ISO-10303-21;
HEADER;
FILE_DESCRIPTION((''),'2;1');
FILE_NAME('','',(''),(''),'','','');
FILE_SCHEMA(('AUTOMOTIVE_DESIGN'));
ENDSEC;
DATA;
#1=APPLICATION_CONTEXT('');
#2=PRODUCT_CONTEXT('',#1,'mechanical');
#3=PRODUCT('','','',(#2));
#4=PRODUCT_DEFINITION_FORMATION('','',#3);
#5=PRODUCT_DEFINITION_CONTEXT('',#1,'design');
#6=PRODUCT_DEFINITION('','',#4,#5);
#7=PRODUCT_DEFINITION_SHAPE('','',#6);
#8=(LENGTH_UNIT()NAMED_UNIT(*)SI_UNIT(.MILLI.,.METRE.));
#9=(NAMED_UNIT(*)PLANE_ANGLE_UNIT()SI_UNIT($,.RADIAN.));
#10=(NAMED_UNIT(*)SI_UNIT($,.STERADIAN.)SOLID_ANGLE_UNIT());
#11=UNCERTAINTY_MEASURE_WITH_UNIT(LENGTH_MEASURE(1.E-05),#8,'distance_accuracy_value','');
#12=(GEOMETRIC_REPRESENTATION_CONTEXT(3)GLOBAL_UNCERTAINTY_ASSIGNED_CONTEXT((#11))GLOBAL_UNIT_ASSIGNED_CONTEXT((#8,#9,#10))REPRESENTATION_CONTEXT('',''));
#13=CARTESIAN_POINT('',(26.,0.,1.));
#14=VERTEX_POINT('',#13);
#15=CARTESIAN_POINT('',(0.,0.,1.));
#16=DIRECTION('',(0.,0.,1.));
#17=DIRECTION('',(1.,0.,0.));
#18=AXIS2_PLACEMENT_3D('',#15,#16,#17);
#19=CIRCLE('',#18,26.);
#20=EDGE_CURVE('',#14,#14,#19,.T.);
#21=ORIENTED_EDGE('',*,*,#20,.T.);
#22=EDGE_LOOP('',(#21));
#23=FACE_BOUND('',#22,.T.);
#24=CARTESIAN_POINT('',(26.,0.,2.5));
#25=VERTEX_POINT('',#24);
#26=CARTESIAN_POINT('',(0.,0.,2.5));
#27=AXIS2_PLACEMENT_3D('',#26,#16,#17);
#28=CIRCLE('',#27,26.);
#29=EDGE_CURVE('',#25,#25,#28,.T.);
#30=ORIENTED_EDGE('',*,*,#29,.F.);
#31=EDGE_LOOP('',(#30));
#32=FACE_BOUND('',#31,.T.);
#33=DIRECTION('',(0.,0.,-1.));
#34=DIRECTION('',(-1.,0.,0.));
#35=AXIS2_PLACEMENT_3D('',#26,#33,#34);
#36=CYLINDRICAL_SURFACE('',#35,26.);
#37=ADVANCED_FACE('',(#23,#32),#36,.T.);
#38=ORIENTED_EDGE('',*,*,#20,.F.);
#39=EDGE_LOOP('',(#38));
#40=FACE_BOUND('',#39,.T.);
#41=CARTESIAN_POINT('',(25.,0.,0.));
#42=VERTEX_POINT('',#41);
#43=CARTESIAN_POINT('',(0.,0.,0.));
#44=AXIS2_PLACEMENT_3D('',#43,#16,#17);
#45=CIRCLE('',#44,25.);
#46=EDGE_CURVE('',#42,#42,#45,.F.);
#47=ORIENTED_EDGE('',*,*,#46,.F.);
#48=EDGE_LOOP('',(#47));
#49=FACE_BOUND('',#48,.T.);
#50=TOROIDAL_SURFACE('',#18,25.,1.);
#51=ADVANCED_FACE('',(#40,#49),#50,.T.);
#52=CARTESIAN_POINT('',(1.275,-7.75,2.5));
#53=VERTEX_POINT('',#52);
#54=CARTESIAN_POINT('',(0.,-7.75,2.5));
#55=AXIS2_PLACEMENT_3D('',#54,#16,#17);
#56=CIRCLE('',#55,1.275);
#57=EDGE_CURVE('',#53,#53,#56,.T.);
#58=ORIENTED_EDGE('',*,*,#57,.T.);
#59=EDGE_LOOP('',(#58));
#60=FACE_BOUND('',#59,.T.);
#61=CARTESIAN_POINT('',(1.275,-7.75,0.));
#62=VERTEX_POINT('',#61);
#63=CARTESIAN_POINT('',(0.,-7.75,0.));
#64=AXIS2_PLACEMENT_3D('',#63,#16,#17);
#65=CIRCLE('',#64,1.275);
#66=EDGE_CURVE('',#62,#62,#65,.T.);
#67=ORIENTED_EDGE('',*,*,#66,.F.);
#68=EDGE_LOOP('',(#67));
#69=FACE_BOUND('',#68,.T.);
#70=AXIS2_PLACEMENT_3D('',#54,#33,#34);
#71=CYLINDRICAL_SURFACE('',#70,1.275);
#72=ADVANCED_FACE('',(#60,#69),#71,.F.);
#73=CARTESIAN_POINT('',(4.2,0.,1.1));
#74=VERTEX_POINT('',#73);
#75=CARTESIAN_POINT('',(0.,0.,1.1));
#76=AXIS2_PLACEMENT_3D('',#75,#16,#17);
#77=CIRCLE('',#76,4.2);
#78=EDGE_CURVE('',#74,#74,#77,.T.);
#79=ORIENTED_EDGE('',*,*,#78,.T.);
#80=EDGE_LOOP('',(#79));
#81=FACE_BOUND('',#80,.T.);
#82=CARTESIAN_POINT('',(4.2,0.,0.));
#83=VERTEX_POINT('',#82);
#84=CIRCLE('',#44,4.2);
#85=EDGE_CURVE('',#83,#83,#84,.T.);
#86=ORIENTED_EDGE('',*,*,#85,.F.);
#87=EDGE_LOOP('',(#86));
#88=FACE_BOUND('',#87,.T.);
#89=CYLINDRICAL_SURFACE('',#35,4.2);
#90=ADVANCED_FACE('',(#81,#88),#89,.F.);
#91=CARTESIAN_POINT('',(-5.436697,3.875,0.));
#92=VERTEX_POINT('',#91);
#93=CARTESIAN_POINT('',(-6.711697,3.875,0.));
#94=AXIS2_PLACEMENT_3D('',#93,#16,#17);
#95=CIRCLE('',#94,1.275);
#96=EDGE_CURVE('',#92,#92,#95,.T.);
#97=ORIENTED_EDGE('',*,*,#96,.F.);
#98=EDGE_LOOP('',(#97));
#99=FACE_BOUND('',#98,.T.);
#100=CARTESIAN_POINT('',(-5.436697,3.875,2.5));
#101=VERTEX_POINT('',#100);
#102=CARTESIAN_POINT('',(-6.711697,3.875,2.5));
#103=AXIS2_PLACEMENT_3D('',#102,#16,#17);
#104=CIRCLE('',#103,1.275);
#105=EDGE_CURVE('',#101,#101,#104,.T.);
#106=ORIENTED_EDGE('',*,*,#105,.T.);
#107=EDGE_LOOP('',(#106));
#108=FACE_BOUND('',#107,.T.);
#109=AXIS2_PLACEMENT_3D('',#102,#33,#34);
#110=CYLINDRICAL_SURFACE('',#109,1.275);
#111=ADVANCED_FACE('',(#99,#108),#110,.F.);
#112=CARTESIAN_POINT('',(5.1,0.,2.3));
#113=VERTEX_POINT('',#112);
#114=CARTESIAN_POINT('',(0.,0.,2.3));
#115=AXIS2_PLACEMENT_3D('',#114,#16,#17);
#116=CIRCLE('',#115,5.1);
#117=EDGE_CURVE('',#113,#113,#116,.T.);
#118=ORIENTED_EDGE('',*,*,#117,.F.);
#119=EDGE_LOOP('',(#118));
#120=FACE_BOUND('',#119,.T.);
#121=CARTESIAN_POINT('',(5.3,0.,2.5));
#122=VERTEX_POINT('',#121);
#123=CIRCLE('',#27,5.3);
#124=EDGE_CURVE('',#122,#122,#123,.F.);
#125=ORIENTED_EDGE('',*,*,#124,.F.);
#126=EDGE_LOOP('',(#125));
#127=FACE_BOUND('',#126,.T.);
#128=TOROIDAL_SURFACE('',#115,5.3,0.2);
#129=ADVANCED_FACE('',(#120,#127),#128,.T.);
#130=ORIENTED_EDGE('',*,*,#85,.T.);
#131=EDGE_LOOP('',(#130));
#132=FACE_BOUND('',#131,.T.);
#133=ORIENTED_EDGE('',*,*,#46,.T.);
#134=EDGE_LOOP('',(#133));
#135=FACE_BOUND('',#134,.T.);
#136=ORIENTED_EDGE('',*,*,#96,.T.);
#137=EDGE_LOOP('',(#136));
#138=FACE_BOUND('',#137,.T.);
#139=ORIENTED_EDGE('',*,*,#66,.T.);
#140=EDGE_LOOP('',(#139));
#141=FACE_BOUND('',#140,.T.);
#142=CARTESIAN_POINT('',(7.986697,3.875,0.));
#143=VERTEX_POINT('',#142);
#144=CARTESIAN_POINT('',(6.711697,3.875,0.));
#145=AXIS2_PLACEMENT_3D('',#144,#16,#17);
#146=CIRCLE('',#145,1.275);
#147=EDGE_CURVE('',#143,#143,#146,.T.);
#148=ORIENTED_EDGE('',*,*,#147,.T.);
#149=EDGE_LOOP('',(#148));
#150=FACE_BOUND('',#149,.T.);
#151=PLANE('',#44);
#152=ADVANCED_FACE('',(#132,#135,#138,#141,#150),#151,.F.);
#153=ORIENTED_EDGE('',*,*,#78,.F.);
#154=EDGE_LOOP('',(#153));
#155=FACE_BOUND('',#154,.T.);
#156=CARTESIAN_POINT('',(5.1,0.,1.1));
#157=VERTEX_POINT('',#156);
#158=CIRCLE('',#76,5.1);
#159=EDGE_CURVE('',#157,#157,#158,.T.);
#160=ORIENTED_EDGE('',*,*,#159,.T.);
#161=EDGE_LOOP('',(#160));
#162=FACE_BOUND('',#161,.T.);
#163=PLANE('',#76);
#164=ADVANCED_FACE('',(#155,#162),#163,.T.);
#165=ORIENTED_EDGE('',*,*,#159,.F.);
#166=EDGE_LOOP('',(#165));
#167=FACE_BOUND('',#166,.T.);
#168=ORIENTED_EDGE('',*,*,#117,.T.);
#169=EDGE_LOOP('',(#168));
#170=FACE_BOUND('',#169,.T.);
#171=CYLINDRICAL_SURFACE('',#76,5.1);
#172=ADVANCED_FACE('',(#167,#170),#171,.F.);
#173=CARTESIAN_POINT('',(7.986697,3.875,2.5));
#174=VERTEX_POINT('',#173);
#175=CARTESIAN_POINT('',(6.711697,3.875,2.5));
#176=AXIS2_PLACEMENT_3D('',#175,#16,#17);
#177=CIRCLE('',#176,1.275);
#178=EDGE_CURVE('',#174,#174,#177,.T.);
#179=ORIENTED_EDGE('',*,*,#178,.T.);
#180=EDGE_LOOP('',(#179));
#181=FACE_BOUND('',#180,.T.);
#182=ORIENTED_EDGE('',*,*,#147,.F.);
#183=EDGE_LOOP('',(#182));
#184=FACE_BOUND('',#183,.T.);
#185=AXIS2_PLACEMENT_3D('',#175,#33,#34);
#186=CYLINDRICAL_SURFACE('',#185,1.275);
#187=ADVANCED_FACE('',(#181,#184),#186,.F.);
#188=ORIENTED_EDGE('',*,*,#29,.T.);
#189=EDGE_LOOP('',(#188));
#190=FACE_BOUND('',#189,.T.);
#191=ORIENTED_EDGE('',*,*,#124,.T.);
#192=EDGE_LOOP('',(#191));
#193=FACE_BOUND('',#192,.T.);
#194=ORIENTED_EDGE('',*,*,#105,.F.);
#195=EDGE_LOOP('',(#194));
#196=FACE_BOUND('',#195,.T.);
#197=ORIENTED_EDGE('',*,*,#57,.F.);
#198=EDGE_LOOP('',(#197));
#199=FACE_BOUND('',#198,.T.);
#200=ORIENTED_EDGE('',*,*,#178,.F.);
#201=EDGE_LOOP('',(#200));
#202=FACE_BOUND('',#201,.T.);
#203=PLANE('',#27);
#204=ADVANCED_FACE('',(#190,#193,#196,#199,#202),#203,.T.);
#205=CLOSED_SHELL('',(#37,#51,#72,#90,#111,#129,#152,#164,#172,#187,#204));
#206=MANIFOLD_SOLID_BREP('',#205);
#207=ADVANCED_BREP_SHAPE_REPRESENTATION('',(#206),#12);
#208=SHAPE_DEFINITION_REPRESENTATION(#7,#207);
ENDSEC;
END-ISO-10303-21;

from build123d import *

# Parameters (mm, degrees)
SKETCH1_R           = 26
SKETCH1_R_2         = 4.2
SKETCH1_R_3         = 1.275
BOSS_EXTRUDE1_DEPTH = 2.5
SKETCH2_R           = 5.1
CUT_EXTRUDE1_DEPTH  = 1.4
FILLET1_R           = 0.2
FILLET2_R           = 1


with BuildPart() as part:
    # Sketch1 → Boss-Extrude1 (new body)
    with BuildSketch(Plane.XY):
        Circle(SKETCH1_R)
        Circle(SKETCH1_R_2, mode=Mode.SUBTRACT)
        with Locations((0, -7.75)):
            Circle(SKETCH1_R_3, mode=Mode.SUBTRACT)
        with Locations((-6.711696879, 3.875)):
            Circle(SKETCH1_R_3, mode=Mode.SUBTRACT)
        with Locations((6.711696879, 3.875)):
            Circle(SKETCH1_R_3, mode=Mode.SUBTRACT)
    extrude(amount=BOSS_EXTRUDE1_DEPTH)

    # Sketch2 → Cut-Extrude1 (cut)
    with BuildSketch(Plane.XY.offset(2.5)):
        Circle(SKETCH2_R)
    extrude(amount=-CUT_EXTRUDE1_DEPTH, mode=Mode.SUBTRACT)

    # Fillet1
    fillet1_edges = [part.edges().sort_by_distance(p)[0] for p in [
        (-5.1, 0, 2.5),
    ]]
    fillet(fillet1_edges, radius=FILLET1_R)

    # Fillet2
    fillet2_edges = [part.edges().sort_by_distance(p)[0] for p in [
        (-26, 0, 0),
    ]]
    fillet(fillet2_edges, radius=FILLET2_R)


solid = part.part
